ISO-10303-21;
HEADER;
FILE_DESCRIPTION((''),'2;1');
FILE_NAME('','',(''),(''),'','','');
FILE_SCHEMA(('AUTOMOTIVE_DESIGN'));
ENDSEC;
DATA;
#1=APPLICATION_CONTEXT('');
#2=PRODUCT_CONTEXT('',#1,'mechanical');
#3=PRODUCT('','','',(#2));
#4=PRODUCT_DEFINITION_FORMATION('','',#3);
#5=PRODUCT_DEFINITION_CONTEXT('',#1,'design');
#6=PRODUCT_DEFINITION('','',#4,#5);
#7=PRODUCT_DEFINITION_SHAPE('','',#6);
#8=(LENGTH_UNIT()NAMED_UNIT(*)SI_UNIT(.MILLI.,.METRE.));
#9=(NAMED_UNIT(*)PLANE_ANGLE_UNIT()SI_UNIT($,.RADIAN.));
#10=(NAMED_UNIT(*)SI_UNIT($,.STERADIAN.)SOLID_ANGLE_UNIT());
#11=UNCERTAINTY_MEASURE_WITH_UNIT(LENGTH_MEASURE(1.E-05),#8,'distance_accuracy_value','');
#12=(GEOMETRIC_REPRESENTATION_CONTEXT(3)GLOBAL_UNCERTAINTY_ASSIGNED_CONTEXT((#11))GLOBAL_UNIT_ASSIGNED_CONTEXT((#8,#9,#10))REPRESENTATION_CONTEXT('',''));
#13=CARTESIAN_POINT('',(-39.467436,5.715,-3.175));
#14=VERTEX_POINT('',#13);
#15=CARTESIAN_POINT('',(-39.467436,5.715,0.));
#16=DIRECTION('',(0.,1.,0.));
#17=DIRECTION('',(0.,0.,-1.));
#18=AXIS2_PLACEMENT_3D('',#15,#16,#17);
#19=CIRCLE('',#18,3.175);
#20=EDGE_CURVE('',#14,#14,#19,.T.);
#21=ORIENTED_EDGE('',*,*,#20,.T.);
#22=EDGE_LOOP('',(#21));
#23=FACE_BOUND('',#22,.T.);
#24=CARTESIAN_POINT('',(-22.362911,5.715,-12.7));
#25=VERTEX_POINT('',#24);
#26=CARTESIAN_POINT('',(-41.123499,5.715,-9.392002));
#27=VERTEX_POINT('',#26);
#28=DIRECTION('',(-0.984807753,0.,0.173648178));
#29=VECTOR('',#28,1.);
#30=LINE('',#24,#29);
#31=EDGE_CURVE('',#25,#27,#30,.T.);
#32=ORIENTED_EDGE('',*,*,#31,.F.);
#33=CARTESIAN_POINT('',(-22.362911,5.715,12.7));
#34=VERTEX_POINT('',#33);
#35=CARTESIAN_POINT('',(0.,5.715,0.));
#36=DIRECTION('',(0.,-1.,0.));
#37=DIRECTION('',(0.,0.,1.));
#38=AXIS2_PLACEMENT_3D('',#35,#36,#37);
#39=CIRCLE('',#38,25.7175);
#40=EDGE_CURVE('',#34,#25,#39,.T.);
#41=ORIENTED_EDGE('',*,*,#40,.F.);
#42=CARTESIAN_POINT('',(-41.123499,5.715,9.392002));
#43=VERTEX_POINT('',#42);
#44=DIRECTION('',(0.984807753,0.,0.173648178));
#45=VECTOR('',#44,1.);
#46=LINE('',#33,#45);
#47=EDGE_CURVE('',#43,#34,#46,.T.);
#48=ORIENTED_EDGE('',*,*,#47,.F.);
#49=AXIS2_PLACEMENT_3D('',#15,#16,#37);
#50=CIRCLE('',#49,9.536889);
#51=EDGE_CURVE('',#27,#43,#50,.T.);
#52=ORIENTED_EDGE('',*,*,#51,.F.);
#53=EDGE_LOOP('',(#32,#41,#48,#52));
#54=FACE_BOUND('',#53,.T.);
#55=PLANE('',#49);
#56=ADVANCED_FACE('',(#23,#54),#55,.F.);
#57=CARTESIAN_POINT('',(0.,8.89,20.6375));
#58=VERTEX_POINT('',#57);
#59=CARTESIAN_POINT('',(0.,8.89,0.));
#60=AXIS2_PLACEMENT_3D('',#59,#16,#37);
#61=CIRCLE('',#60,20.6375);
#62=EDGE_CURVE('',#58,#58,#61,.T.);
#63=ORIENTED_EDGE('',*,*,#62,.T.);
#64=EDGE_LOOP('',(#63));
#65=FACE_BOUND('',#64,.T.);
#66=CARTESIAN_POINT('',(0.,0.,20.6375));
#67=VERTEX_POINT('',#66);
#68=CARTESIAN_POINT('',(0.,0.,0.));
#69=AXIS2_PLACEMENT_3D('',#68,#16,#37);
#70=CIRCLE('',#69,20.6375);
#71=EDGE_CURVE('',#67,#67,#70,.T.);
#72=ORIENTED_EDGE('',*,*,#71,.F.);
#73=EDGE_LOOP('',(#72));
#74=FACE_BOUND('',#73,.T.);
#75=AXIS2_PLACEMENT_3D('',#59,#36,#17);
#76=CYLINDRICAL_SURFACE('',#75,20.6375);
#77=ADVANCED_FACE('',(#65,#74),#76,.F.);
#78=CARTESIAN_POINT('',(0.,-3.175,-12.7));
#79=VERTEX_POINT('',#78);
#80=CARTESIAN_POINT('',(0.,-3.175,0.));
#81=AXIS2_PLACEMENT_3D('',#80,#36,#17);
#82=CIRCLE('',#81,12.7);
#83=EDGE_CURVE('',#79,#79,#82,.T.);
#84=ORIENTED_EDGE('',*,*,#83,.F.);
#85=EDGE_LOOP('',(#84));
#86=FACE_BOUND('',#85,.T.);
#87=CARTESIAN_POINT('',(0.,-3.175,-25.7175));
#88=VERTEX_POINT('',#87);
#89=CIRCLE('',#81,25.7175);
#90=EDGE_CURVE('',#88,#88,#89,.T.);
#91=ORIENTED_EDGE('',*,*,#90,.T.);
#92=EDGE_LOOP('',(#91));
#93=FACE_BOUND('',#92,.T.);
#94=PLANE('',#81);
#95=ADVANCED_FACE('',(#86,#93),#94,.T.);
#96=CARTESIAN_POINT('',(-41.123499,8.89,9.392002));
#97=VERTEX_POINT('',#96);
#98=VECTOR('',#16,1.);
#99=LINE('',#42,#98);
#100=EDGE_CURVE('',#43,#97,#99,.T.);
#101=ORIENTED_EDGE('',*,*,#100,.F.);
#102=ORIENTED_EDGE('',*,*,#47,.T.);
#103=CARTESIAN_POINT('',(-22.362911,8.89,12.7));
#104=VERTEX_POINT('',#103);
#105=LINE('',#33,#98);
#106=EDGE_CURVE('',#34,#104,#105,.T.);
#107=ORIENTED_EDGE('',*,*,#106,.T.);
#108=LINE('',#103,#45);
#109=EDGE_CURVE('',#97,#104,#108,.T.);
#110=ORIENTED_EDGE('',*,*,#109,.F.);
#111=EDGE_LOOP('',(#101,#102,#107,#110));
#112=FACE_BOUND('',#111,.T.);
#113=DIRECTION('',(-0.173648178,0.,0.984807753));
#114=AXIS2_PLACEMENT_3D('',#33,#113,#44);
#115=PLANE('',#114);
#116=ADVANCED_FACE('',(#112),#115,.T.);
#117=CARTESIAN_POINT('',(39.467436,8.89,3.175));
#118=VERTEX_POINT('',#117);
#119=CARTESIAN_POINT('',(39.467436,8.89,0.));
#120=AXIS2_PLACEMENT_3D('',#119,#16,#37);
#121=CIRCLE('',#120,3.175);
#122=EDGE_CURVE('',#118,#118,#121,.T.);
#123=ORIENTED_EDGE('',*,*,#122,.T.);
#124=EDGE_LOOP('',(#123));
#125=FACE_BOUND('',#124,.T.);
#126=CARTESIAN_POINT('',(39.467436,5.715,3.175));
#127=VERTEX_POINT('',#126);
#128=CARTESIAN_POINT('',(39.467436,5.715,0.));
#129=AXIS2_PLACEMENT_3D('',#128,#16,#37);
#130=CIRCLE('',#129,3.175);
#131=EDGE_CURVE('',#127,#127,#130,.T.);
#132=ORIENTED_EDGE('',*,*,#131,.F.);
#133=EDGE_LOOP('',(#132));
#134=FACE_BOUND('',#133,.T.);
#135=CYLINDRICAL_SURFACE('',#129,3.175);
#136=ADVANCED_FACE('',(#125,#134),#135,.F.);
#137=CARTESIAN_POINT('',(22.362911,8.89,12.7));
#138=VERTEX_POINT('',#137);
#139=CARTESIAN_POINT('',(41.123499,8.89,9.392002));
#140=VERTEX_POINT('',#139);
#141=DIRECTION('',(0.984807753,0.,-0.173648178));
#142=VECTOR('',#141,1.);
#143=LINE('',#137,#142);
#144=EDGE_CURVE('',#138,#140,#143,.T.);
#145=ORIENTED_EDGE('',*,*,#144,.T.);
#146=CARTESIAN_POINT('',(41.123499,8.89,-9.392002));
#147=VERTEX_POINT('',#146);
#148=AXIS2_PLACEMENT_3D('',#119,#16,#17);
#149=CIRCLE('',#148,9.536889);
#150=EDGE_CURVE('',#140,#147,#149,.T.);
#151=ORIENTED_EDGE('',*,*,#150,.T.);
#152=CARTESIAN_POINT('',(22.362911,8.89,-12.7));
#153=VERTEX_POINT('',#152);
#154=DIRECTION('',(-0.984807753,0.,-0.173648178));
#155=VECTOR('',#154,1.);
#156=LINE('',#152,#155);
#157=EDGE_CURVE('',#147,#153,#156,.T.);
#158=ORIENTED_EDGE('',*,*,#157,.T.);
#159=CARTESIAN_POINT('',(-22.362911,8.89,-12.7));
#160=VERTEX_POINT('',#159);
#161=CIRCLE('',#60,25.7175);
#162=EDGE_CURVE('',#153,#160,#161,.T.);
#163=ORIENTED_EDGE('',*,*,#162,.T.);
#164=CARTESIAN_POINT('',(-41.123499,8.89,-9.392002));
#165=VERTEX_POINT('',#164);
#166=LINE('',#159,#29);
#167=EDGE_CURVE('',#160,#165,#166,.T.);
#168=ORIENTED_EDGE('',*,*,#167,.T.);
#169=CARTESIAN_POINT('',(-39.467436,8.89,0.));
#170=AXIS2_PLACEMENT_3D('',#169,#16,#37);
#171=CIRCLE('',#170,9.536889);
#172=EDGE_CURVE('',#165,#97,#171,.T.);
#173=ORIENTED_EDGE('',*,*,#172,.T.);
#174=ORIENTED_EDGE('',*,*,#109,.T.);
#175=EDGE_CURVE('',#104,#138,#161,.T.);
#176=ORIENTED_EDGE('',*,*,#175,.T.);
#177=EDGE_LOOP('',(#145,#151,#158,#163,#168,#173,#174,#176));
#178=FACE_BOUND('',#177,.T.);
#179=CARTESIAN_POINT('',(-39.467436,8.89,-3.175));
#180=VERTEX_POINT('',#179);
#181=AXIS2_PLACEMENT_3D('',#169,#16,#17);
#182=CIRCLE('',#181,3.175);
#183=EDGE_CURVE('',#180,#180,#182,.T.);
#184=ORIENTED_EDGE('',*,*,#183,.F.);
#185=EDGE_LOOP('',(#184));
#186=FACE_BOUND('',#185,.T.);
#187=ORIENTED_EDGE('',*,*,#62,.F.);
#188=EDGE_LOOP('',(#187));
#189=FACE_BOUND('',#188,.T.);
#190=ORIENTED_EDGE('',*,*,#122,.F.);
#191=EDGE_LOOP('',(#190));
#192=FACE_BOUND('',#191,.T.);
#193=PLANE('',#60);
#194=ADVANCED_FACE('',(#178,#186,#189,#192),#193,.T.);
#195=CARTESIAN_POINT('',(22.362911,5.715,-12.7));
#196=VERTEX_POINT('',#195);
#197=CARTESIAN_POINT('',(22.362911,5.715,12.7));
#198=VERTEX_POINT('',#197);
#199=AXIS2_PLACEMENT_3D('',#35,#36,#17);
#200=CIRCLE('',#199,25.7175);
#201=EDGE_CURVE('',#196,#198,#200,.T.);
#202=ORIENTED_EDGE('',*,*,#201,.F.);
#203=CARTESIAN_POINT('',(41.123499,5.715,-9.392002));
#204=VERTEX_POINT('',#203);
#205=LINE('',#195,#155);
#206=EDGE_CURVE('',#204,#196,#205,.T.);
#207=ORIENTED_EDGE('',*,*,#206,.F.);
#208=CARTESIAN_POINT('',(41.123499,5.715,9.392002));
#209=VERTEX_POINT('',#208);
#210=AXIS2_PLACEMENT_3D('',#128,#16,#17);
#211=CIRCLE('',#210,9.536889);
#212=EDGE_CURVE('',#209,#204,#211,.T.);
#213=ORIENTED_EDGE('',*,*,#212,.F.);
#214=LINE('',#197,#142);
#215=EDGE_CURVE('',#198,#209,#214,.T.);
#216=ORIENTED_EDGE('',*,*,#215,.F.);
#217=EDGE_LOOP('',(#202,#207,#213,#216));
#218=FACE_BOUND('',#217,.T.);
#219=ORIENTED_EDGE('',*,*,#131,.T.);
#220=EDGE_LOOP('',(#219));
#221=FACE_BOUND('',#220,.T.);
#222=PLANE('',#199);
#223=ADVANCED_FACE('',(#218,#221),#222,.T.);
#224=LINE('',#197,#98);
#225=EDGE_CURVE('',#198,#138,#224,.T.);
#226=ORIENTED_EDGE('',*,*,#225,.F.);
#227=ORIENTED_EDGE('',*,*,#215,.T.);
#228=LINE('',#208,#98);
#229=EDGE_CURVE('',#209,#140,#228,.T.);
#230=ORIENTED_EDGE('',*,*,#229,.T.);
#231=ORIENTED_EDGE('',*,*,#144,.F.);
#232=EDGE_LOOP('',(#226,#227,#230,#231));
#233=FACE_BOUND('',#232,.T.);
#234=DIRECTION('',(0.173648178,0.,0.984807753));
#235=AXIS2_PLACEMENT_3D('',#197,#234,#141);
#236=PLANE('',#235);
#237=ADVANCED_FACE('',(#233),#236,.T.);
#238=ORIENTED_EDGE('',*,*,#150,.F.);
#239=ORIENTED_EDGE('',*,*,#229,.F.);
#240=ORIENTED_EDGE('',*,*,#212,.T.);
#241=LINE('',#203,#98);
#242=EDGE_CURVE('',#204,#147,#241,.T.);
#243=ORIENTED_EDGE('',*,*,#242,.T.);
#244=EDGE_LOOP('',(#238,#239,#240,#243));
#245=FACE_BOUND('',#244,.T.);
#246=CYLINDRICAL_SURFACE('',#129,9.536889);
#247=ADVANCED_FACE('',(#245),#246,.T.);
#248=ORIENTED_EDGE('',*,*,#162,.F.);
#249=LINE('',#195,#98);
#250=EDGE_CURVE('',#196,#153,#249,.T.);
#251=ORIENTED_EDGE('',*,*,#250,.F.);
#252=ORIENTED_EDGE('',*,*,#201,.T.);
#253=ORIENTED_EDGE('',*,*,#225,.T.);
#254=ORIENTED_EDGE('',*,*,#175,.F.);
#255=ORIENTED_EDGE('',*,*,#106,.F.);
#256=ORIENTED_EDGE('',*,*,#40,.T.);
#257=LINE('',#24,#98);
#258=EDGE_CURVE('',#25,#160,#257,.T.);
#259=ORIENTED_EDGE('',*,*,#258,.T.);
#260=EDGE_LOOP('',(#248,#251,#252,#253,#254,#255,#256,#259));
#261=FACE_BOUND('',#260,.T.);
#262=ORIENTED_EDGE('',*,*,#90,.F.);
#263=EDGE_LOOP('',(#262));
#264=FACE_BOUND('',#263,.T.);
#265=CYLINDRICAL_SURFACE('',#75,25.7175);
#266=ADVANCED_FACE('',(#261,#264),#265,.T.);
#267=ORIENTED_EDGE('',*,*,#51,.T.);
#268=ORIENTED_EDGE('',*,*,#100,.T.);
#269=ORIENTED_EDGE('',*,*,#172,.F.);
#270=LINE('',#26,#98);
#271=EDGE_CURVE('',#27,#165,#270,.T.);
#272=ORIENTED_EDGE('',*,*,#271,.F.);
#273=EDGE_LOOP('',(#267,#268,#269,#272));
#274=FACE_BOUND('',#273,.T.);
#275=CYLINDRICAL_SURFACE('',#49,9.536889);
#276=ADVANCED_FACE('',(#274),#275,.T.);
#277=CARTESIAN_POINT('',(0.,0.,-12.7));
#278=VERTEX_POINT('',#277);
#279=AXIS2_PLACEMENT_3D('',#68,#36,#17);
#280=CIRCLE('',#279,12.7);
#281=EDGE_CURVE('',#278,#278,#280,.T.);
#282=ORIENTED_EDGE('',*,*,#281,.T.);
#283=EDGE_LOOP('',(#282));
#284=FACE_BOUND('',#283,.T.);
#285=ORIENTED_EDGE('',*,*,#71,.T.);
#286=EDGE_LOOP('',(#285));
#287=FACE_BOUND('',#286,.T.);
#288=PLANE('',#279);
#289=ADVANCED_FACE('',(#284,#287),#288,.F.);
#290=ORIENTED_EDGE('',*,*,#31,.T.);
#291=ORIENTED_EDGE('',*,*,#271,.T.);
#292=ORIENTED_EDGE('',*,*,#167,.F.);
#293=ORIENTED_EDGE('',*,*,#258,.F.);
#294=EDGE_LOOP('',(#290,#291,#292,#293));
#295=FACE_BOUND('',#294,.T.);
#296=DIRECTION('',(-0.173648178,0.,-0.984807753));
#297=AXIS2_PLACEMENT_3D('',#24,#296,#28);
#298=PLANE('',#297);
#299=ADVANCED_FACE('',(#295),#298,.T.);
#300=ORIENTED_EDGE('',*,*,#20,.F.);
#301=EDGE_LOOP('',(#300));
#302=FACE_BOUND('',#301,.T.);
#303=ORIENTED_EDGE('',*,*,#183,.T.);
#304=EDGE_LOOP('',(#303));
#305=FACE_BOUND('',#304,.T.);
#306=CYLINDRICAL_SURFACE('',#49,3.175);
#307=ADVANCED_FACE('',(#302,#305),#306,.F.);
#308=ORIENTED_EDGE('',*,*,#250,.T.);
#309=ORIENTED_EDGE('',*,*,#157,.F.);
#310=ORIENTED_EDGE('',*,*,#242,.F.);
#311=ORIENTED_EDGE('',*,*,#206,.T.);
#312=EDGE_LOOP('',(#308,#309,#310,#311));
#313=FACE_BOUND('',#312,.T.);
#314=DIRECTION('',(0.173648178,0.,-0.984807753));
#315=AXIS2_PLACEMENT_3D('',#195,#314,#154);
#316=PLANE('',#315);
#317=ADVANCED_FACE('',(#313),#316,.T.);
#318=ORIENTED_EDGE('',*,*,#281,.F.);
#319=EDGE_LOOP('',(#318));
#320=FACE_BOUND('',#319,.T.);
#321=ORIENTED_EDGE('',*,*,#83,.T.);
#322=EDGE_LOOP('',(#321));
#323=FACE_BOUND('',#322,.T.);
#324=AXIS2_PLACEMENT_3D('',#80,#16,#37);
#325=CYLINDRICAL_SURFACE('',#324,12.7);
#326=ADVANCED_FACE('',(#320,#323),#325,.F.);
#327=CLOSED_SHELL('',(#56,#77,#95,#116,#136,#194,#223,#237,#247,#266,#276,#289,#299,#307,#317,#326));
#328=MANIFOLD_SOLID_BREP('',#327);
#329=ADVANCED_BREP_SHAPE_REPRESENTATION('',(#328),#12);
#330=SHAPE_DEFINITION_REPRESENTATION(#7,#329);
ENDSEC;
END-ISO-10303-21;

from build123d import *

# Parameters (mm, degrees)
SKETCH1_R           = 25.7175
SKETCH1_R_2         = 20.6375
BOSS_EXTRUDE1_DEPTH = 8.89
BOSS_EXTRUDE2_START = 3.175
SKETCH2_R           = 25.7175
SKETCH2_R_2         = 12.7
BOSS_EXTRUDE2_DEPTH = 3.175
BOSS_EXTRUDE3_START = -3.175
SKETCH3_R           = 3.175
BOSS_EXTRUDE3_DEPTH = 3.175


with BuildPart() as part:
    # Sketch1 → Boss-Extrude1 (new body)
    with BuildSketch(Plane(origin=(0, 0, 0), x_dir=(1, 0, 0), z_dir=(0, 1, 0))):
        with Locations(Location((0, 0, 0), (0, 0, 270))):
            Circle(SKETCH1_R)
        with Locations(Location((0, 0, 0), (0, 0, 270))):
            Circle(SKETCH1_R_2, mode=Mode.SUBTRACT)
    extrude(amount=BOSS_EXTRUDE1_DEPTH)

    # Sketch2 → Boss-Extrude2 (add)
    with BuildSketch(Plane.XZ.offset(BOSS_EXTRUDE2_START)):
        with Locations(Location((0, 0, 0), (0, 0, 270))):
            Circle(SKETCH2_R)
        with Locations(Location((0, 0, 0), (0, 0, 270))):
            Circle(SKETCH2_R_2, mode=Mode.SUBTRACT)
    extrude(amount=-BOSS_EXTRUDE2_DEPTH)

    # Sketch3 → Boss-Extrude3 (add)
    # profile 1 of 2: a face of its own
    with BuildSketch(Plane(origin=(0, 8.89, 0), x_dir=(1, 0, 0), z_dir=(0, 1, 0)).offset(BOSS_EXTRUDE3_START)):
        with BuildLine():
            Line((22.362911399, 12.7), (41.123499094, 9.392002215))
            ThreePointArc((41.123499094, 9.392002215), (49.004324689, 0), (41.123499094, -9.392002215))
            Line((41.123499094, -9.392002215), (22.362911399, -12.7))
            ThreePointArc((22.362911399, -12.7), (25.7175, 0), (22.362911399, 12.7))
        make_face()
        with Locations(Location((39.467435701, 0, 0), (0, 0, 270))):
            Circle(SKETCH3_R, mode=Mode.SUBTRACT)
    # profile 2 of 2: a face of its own
    with BuildSketch(Plane(origin=(0, 8.89, 0), x_dir=(1, 0, 0), z_dir=(0, 1, 0)).offset(BOSS_EXTRUDE3_START)):
        with BuildLine():
            Line((-22.362911399, -12.7), (-41.123499094, -9.392002215))
            ThreePointArc((-41.123499094, -9.392002215), (-49.004324689, 0), (-41.123499094, 9.392002215))
            Line((-41.123499094, 9.392002215), (-22.362911399, 12.7))
            ThreePointArc((-22.362911399, 12.7), (-25.7175, 0), (-22.362911399, -12.7))
        make_face()
        with Locations(Location((-39.467435701, 0, 0), (0, 0, 90))):
            Circle(SKETCH3_R, mode=Mode.SUBTRACT)
    extrude(amount=BOSS_EXTRUDE3_DEPTH)


solid = part.part
